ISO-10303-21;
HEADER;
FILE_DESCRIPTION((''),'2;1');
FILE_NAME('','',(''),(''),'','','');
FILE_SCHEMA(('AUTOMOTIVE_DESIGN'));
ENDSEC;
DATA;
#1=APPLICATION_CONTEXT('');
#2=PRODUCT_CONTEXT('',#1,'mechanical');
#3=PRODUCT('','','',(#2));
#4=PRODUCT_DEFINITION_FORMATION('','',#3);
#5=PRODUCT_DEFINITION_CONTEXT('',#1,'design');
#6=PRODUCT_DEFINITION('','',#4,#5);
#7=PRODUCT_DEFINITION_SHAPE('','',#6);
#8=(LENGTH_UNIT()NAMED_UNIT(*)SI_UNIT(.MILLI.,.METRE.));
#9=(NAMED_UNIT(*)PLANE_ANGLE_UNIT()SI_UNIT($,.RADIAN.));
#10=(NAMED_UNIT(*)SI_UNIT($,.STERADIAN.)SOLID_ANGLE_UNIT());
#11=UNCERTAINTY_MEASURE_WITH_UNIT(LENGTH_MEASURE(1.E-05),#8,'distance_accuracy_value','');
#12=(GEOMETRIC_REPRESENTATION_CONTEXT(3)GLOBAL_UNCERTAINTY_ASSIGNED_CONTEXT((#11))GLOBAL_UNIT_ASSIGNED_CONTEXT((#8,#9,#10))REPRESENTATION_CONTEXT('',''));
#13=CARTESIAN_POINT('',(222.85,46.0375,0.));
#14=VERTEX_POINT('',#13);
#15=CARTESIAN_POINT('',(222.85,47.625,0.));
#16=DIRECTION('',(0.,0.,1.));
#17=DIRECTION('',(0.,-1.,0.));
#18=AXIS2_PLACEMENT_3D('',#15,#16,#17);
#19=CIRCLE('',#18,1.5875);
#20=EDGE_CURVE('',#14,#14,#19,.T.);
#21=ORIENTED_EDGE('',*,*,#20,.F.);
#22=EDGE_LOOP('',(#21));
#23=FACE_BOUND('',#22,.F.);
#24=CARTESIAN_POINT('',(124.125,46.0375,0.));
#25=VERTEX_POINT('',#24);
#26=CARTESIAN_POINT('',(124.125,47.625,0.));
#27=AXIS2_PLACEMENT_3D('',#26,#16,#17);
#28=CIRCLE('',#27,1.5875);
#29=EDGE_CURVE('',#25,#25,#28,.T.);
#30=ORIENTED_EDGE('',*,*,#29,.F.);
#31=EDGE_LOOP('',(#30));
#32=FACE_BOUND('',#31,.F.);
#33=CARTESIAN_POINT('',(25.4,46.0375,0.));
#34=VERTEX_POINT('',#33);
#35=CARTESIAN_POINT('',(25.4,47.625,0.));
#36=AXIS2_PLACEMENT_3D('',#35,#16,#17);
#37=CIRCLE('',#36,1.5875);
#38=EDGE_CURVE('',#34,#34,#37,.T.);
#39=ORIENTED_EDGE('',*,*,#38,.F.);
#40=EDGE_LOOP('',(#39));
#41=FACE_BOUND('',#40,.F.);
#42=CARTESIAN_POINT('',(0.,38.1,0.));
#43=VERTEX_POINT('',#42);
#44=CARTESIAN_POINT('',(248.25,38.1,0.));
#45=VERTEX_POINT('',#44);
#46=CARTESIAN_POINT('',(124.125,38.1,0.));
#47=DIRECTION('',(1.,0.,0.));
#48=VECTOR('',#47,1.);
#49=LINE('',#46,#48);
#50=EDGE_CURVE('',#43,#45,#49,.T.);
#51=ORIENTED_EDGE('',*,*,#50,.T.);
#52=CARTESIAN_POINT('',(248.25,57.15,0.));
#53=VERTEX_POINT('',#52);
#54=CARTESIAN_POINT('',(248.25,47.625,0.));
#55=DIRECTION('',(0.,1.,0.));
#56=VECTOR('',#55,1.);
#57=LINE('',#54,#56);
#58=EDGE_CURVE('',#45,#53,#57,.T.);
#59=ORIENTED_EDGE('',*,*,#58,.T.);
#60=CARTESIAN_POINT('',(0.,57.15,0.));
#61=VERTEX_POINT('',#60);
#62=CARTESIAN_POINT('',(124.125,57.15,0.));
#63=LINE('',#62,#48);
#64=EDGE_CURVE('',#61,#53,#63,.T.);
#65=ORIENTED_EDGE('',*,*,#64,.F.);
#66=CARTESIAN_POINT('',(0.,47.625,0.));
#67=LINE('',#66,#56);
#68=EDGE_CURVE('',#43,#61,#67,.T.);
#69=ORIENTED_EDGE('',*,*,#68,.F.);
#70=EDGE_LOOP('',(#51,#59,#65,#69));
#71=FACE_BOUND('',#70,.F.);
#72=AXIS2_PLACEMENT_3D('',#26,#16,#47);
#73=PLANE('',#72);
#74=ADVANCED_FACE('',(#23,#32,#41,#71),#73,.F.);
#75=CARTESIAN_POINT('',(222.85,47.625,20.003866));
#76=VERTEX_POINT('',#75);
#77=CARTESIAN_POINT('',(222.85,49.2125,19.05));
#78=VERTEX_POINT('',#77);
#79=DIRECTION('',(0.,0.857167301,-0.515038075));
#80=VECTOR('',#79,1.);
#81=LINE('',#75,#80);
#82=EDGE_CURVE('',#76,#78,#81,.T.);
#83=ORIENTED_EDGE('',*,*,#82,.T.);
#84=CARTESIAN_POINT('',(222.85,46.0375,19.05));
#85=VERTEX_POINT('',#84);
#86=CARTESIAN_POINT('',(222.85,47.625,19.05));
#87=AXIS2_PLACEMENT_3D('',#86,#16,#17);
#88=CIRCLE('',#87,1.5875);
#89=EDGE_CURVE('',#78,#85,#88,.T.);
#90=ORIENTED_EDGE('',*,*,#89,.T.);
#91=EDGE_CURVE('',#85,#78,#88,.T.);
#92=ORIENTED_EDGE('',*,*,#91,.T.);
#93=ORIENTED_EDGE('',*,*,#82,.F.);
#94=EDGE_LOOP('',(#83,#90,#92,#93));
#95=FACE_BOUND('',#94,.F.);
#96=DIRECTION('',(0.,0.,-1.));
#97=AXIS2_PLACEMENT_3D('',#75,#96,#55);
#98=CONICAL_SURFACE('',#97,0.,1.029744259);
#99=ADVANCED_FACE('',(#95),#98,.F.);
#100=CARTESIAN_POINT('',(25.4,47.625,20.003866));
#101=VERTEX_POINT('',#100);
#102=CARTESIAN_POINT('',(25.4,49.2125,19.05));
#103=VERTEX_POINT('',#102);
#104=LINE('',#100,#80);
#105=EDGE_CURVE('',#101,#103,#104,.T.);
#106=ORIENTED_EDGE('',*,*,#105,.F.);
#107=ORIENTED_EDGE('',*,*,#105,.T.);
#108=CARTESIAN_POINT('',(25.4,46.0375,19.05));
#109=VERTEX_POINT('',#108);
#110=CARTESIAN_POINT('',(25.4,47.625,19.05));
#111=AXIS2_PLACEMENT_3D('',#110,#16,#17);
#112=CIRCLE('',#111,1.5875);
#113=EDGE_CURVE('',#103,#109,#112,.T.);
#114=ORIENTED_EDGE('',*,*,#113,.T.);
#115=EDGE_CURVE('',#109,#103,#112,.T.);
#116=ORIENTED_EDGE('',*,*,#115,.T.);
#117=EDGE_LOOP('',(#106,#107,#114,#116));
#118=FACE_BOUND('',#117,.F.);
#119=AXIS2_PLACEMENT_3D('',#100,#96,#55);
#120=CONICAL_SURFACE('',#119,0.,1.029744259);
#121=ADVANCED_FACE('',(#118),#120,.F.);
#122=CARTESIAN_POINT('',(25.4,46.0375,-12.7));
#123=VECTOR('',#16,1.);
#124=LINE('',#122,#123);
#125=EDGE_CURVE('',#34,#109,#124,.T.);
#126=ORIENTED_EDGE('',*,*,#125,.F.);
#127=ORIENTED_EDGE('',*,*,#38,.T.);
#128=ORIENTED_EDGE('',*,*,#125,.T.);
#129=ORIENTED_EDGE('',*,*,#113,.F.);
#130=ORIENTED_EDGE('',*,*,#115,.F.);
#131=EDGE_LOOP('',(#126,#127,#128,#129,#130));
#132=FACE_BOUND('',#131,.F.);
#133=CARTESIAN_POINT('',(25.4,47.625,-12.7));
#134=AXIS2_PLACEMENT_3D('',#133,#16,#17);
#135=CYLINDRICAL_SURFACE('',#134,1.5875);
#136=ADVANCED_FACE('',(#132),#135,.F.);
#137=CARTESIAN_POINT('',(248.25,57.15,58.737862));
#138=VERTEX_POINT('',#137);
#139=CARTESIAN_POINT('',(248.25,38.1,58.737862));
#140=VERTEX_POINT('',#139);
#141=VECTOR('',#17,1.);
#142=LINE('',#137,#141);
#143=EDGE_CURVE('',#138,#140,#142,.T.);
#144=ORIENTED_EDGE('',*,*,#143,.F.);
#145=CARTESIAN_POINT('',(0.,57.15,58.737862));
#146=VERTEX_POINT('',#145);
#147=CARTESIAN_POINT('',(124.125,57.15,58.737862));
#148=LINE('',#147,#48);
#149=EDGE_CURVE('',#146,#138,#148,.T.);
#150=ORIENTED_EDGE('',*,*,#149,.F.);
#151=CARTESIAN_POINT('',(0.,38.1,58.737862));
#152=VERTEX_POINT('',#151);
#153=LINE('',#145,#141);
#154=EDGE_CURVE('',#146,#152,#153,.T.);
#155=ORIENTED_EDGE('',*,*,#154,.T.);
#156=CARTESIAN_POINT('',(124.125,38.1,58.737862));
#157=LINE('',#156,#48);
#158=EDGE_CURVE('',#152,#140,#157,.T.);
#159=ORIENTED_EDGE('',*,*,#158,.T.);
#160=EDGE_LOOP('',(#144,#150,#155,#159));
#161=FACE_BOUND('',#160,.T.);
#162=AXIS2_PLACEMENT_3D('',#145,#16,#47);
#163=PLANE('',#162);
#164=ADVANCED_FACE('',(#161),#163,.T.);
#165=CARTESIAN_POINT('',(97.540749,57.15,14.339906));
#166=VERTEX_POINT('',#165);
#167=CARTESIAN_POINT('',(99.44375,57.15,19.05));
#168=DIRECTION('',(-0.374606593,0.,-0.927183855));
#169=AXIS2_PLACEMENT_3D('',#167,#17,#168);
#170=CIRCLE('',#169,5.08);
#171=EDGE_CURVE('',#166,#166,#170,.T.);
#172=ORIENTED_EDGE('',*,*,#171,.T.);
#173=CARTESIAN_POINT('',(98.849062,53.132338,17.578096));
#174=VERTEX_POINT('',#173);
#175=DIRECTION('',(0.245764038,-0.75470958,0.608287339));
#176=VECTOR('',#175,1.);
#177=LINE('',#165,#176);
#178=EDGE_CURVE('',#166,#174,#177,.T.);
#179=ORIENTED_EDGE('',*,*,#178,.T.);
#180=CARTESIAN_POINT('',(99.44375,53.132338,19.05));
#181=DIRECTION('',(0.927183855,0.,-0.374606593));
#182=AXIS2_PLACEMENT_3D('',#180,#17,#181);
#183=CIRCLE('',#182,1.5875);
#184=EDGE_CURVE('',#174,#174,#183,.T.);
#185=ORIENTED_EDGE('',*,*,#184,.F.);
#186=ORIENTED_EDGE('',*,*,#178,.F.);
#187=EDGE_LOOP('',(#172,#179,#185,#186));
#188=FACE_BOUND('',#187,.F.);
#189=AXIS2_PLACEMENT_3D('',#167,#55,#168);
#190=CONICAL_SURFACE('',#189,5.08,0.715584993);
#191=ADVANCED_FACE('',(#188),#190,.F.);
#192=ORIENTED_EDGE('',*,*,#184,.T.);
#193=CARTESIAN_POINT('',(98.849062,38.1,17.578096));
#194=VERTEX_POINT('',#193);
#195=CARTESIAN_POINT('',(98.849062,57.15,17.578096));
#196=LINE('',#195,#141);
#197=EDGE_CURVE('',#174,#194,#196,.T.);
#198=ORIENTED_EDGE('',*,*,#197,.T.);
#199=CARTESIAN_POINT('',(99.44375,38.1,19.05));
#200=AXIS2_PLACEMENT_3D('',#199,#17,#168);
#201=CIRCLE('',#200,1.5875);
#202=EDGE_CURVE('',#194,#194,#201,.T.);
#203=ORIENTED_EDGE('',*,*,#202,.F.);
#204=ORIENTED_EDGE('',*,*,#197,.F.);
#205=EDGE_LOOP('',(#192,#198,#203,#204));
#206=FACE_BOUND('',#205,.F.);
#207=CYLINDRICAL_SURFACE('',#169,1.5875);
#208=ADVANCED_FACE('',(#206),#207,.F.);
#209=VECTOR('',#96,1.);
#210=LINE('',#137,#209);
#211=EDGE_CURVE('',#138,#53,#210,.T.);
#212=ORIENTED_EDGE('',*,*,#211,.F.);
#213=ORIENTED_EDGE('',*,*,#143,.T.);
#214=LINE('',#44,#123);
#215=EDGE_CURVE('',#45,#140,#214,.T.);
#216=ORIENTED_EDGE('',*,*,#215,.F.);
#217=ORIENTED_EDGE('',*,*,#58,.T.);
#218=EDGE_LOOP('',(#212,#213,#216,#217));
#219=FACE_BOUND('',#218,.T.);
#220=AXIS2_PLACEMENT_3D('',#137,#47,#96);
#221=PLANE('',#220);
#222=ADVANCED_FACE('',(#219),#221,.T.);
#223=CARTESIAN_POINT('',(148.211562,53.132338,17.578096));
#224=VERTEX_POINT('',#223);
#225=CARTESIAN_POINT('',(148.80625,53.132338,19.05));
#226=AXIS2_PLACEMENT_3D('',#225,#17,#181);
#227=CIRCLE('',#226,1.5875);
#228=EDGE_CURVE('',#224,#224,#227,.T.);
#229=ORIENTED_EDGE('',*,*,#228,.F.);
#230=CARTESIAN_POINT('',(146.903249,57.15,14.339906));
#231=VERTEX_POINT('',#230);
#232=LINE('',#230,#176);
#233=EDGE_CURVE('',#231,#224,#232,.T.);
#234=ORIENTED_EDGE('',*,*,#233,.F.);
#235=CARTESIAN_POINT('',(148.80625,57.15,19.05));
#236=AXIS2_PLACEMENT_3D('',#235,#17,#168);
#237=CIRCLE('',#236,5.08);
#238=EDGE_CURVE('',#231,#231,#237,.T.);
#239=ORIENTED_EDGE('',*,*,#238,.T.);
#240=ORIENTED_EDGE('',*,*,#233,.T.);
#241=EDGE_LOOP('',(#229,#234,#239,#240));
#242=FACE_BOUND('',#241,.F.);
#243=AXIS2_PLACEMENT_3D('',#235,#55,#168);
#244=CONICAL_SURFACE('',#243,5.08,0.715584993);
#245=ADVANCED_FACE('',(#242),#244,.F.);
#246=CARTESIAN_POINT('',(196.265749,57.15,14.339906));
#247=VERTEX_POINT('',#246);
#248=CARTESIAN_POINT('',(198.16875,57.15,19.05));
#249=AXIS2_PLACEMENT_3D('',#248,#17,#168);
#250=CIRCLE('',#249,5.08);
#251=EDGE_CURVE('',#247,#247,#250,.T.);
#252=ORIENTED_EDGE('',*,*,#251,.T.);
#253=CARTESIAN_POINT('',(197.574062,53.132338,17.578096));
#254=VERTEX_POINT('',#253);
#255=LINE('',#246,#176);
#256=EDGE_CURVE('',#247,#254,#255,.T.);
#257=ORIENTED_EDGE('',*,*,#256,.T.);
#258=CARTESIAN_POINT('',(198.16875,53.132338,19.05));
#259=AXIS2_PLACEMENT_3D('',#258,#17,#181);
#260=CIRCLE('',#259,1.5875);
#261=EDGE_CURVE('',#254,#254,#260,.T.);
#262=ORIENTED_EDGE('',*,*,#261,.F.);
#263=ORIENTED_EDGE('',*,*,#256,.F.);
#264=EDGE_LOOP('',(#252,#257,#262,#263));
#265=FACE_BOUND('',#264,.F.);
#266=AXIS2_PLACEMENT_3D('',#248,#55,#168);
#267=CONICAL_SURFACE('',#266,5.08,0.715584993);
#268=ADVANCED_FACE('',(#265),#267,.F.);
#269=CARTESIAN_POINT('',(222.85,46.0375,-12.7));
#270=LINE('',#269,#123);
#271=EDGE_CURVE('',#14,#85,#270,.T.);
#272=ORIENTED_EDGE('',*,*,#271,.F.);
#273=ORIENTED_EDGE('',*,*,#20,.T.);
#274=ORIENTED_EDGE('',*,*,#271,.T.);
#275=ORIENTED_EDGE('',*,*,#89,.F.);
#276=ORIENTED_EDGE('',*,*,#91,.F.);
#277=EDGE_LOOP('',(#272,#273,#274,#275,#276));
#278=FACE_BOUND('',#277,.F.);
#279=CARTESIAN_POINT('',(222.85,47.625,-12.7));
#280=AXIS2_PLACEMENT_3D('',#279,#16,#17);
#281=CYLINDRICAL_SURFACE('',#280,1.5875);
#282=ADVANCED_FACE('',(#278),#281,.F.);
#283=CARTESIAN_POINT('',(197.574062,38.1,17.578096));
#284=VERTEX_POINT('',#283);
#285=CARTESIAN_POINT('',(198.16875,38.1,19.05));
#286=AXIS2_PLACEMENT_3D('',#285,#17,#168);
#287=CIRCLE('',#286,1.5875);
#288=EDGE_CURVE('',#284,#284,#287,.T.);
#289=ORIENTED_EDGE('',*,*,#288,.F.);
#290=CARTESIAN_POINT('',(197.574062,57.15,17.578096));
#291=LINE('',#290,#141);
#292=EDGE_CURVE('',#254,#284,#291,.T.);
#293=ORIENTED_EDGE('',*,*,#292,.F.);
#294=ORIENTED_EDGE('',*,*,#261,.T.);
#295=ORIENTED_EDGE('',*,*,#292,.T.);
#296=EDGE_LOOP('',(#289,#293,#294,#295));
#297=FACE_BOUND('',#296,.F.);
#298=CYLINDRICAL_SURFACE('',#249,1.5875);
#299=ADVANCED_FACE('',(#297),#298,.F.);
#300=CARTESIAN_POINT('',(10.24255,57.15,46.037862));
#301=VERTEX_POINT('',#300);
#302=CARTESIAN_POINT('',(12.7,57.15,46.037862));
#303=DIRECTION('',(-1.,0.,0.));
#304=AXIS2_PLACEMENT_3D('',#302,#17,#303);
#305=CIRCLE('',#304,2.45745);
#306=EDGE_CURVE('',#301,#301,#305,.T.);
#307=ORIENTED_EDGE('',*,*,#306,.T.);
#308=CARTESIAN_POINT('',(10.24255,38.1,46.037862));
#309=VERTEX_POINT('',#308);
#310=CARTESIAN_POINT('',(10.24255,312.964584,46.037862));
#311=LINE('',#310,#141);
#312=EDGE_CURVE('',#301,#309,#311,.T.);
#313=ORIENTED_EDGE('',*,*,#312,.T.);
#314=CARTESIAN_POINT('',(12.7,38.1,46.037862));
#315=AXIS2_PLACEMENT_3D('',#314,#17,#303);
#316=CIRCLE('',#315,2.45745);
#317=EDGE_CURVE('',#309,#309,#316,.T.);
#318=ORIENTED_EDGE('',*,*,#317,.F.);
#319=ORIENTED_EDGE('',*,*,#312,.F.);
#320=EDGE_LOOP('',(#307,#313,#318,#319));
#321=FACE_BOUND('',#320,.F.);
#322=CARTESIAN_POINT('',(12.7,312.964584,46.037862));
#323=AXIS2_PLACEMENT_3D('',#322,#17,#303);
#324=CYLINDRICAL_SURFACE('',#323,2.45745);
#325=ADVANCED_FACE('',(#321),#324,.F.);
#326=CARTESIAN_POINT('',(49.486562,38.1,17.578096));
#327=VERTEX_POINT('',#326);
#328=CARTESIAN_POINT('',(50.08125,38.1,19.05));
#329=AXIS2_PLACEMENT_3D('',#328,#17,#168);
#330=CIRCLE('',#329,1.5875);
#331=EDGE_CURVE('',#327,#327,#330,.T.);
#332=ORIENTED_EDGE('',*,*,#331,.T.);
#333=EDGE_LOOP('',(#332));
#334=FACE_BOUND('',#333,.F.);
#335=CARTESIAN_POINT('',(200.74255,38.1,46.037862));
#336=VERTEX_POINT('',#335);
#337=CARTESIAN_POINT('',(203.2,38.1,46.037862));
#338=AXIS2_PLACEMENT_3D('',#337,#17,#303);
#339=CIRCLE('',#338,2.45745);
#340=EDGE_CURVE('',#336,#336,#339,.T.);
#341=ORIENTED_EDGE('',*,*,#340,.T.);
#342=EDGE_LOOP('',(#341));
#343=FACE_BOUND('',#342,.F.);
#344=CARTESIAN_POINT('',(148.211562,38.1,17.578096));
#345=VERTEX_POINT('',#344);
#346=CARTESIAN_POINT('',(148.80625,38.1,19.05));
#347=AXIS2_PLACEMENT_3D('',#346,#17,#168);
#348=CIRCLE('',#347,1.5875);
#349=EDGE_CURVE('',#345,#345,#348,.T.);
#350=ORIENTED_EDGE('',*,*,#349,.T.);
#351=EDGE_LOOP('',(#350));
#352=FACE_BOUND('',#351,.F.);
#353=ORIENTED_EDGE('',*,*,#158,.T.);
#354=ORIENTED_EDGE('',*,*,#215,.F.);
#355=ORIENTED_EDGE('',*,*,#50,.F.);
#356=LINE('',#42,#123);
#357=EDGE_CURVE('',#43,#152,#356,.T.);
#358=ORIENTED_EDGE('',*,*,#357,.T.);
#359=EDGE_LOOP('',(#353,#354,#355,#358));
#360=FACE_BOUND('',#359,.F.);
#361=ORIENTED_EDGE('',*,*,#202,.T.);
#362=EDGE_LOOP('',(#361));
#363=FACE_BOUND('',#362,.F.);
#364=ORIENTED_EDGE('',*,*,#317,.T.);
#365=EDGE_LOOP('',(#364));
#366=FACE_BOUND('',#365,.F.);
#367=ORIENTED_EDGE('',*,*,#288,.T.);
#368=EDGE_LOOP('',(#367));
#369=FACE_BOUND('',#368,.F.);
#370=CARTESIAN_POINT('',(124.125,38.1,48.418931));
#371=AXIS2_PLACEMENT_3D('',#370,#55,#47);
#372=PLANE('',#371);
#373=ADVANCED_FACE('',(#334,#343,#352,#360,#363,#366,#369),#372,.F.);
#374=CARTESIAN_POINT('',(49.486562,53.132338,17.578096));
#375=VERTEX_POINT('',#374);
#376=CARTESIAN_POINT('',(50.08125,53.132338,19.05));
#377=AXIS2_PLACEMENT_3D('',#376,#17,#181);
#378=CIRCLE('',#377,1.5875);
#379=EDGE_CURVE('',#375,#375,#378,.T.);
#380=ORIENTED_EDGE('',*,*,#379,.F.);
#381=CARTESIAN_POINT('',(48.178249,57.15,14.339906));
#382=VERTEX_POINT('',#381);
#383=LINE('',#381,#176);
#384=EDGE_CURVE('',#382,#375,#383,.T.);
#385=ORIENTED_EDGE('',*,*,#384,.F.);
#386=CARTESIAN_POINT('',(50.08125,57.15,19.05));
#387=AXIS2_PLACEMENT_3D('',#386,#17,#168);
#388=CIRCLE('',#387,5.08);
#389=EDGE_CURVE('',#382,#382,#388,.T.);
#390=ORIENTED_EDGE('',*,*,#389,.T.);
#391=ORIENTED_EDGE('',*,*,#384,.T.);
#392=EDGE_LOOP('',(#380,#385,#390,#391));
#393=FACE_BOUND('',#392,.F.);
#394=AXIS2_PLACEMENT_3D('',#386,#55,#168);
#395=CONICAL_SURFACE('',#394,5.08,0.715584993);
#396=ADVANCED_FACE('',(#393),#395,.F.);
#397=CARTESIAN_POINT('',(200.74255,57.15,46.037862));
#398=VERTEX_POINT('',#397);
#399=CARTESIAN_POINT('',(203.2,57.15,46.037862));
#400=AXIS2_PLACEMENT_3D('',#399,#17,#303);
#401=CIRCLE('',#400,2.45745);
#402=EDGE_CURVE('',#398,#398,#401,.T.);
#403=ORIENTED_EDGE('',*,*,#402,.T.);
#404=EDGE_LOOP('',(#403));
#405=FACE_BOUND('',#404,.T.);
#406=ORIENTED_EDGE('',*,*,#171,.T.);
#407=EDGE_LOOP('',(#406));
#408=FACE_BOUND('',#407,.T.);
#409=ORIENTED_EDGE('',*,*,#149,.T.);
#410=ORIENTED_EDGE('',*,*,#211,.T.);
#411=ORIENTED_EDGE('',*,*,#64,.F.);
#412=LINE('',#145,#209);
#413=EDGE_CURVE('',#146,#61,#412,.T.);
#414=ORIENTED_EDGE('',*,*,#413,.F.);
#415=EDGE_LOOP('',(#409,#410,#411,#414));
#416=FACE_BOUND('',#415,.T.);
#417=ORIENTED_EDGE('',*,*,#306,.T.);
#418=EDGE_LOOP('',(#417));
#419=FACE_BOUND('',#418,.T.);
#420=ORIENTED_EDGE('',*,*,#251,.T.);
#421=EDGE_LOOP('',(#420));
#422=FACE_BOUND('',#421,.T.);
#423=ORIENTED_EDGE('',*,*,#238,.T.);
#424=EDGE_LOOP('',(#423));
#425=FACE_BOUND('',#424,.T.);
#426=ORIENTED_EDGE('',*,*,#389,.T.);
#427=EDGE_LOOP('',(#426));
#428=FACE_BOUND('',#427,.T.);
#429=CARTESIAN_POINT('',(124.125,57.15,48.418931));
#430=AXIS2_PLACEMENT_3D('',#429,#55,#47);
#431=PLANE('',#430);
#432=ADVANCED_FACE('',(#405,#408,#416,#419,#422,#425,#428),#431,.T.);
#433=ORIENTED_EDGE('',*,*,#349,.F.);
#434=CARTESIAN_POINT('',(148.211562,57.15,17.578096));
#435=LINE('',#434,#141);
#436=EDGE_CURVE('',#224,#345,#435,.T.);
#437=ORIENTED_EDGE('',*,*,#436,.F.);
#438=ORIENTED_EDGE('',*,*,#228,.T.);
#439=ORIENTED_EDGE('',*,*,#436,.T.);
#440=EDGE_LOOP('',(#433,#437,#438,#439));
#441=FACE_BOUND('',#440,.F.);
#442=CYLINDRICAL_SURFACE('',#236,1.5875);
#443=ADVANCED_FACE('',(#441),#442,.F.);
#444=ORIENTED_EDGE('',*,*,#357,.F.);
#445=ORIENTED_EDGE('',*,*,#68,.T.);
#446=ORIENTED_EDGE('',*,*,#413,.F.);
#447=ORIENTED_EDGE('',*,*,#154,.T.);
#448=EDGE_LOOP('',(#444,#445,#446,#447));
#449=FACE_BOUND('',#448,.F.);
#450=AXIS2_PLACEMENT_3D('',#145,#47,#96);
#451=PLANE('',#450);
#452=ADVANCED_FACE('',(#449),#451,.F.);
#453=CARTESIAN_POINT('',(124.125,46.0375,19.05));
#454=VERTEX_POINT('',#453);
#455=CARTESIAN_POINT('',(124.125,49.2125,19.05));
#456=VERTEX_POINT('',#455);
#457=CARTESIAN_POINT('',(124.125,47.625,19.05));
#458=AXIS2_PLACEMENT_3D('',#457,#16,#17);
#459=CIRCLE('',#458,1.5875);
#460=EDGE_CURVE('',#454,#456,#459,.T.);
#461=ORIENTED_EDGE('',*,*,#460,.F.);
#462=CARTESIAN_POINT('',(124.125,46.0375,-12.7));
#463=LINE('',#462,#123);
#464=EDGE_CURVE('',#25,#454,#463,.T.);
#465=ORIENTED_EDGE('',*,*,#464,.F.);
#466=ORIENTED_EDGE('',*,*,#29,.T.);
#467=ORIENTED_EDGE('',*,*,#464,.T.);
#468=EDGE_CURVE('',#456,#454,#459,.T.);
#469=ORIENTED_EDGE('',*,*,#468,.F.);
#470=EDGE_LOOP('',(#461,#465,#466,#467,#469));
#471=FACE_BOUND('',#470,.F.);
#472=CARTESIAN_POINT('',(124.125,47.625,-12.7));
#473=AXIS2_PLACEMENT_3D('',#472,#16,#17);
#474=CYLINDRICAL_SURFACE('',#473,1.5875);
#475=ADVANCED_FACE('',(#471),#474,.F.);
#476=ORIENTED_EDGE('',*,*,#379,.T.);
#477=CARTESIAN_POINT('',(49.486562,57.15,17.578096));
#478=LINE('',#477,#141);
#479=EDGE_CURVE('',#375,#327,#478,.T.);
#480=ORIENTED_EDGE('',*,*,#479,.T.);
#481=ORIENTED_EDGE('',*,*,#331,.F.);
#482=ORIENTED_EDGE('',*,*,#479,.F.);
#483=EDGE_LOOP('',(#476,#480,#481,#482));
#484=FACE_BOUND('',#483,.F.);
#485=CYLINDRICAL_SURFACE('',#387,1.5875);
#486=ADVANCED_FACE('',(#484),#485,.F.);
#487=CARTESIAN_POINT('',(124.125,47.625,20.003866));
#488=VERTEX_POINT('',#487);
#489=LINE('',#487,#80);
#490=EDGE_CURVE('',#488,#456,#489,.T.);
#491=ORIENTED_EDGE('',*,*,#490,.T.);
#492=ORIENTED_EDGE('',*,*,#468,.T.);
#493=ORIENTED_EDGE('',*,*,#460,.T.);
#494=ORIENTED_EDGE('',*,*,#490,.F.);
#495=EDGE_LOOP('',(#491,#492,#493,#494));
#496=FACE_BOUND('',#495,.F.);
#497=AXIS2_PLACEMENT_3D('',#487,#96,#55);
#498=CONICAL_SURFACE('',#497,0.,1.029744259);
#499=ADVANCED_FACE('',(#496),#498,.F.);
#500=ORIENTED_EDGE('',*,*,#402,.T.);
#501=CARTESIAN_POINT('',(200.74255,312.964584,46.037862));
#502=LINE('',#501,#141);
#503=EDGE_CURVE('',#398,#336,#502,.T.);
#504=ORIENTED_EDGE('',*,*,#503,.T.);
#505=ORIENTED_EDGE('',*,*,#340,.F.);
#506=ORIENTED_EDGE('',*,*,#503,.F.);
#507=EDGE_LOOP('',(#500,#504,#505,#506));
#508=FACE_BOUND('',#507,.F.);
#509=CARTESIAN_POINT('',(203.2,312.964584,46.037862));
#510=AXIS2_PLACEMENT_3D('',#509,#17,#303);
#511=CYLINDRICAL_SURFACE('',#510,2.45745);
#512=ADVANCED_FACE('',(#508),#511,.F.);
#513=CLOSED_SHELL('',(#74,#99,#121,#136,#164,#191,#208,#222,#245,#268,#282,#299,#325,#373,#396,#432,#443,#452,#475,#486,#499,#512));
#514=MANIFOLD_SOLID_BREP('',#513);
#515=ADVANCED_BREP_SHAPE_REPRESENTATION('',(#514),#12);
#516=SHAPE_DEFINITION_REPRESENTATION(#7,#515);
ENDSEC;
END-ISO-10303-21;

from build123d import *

# Parameters (mm, degrees)
SKETCH1_W             = 248.25
SKETCH1_H             = 19.05
BOSS_EXTRUDE1_DEPTH   = 38.1
HOLE1_D               = 3.175
HOLE1_DEPTH           = 31.75
HOLE1_CSINK_D         = 10.16
HOLE1_CSINK_ANGLE     = 82
HOLE1_TIP             = 0.953866233
HOLE2_D               = 3.175
HOLE2_DEPTH           = 57.15
HOLE2_CSINK_D         = 10.16
HOLE2_CSINK_ANGLE     = 82
HOLE2_TIP             = 0.953866233
SKETCH6_W             = 248.25
SKETCH6_H             = 20.637862114
BOSS_EXTRUDE3_DEPTH   = 19.05
F_8_CLEARANCE_HOLE1_D = 4.9149


with BuildPart() as part:
    # Sketch1 → Boss-Extrude1 (new body)
    with BuildSketch(Plane.XY):
        with Locations((124.125, 47.625)):
            Rectangle(SKETCH1_W, SKETCH1_H)
    extrude(amount=BOSS_EXTRUDE1_DEPTH)

    # Hole1
    with Locations(Plane(origin=(-1090.512770337, -52.974999997, -12.7), x_dir=(0, 1, 0), z_dir=(0, 0, -1))):
        with Locations((-100.332047386, 1313.362770337), (100.599999997, 1313.362770337), (100.599999997, 1115.912770337), (100.599999997, 1214.637770337), (-100.332047386, 1214.637770337), (-100.332047386, 1115.912770337)):
            CounterSinkHole(HOLE1_D / 2, HOLE1_CSINK_D / 2, depth=HOLE1_DEPTH, counter_sink_angle=HOLE1_CSINK_ANGLE)
            with Locations((0, 0, -(HOLE1_DEPTH + HOLE1_TIP / 2))):  # 118° drill point
                Cone(0, HOLE1_D / 2, HOLE1_TIP, mode=Mode.SUBTRACT)

    # Hole2
    with Locations(Plane(origin=(-1090.512770337, 57.15, -415.792401694), x_dir=(0.3746065934159092, 0, 0.9271838545667885), z_dir=(0, 1, 0))):
        with Locations((848.944412528, 940.413642522), (885.927448463, 1031.949868564), (867.435930496, 986.181755543), (830.452894561, 894.645529501)):
            CounterSinkHole(HOLE2_D / 2, HOLE2_CSINK_D / 2, depth=HOLE2_DEPTH, counter_sink_angle=HOLE2_CSINK_ANGLE)
            with Locations((0, 0, -(HOLE2_DEPTH + HOLE2_TIP / 2))):  # 118° drill point
                Cone(0, HOLE2_D / 2, HOLE2_TIP, mode=Mode.SUBTRACT)

    # Sketch6 → Boss-Extrude3 (add)
    with BuildSketch(Plane(origin=(0, 57.15, 0), x_dir=(1, 0, 0), z_dir=(0, 1, 0))):
        with Locations((124.125, -48.418931057)):
            Rectangle(SKETCH6_W, SKETCH6_H)
    extrude(amount=-BOSS_EXTRUDE3_DEPTH)

    # #8 Clearance Hole1 (through all)
    with Locations(Plane(origin=(0, 57.15, 0), x_dir=(1, 0, 0), z_dir=(0, 1, 0))):
        with Locations((12.7, -46.037862114), (203.2, -46.037862114)):
            Hole(F_8_CLEARANCE_HOLE1_D / 2)


solid = part.part
